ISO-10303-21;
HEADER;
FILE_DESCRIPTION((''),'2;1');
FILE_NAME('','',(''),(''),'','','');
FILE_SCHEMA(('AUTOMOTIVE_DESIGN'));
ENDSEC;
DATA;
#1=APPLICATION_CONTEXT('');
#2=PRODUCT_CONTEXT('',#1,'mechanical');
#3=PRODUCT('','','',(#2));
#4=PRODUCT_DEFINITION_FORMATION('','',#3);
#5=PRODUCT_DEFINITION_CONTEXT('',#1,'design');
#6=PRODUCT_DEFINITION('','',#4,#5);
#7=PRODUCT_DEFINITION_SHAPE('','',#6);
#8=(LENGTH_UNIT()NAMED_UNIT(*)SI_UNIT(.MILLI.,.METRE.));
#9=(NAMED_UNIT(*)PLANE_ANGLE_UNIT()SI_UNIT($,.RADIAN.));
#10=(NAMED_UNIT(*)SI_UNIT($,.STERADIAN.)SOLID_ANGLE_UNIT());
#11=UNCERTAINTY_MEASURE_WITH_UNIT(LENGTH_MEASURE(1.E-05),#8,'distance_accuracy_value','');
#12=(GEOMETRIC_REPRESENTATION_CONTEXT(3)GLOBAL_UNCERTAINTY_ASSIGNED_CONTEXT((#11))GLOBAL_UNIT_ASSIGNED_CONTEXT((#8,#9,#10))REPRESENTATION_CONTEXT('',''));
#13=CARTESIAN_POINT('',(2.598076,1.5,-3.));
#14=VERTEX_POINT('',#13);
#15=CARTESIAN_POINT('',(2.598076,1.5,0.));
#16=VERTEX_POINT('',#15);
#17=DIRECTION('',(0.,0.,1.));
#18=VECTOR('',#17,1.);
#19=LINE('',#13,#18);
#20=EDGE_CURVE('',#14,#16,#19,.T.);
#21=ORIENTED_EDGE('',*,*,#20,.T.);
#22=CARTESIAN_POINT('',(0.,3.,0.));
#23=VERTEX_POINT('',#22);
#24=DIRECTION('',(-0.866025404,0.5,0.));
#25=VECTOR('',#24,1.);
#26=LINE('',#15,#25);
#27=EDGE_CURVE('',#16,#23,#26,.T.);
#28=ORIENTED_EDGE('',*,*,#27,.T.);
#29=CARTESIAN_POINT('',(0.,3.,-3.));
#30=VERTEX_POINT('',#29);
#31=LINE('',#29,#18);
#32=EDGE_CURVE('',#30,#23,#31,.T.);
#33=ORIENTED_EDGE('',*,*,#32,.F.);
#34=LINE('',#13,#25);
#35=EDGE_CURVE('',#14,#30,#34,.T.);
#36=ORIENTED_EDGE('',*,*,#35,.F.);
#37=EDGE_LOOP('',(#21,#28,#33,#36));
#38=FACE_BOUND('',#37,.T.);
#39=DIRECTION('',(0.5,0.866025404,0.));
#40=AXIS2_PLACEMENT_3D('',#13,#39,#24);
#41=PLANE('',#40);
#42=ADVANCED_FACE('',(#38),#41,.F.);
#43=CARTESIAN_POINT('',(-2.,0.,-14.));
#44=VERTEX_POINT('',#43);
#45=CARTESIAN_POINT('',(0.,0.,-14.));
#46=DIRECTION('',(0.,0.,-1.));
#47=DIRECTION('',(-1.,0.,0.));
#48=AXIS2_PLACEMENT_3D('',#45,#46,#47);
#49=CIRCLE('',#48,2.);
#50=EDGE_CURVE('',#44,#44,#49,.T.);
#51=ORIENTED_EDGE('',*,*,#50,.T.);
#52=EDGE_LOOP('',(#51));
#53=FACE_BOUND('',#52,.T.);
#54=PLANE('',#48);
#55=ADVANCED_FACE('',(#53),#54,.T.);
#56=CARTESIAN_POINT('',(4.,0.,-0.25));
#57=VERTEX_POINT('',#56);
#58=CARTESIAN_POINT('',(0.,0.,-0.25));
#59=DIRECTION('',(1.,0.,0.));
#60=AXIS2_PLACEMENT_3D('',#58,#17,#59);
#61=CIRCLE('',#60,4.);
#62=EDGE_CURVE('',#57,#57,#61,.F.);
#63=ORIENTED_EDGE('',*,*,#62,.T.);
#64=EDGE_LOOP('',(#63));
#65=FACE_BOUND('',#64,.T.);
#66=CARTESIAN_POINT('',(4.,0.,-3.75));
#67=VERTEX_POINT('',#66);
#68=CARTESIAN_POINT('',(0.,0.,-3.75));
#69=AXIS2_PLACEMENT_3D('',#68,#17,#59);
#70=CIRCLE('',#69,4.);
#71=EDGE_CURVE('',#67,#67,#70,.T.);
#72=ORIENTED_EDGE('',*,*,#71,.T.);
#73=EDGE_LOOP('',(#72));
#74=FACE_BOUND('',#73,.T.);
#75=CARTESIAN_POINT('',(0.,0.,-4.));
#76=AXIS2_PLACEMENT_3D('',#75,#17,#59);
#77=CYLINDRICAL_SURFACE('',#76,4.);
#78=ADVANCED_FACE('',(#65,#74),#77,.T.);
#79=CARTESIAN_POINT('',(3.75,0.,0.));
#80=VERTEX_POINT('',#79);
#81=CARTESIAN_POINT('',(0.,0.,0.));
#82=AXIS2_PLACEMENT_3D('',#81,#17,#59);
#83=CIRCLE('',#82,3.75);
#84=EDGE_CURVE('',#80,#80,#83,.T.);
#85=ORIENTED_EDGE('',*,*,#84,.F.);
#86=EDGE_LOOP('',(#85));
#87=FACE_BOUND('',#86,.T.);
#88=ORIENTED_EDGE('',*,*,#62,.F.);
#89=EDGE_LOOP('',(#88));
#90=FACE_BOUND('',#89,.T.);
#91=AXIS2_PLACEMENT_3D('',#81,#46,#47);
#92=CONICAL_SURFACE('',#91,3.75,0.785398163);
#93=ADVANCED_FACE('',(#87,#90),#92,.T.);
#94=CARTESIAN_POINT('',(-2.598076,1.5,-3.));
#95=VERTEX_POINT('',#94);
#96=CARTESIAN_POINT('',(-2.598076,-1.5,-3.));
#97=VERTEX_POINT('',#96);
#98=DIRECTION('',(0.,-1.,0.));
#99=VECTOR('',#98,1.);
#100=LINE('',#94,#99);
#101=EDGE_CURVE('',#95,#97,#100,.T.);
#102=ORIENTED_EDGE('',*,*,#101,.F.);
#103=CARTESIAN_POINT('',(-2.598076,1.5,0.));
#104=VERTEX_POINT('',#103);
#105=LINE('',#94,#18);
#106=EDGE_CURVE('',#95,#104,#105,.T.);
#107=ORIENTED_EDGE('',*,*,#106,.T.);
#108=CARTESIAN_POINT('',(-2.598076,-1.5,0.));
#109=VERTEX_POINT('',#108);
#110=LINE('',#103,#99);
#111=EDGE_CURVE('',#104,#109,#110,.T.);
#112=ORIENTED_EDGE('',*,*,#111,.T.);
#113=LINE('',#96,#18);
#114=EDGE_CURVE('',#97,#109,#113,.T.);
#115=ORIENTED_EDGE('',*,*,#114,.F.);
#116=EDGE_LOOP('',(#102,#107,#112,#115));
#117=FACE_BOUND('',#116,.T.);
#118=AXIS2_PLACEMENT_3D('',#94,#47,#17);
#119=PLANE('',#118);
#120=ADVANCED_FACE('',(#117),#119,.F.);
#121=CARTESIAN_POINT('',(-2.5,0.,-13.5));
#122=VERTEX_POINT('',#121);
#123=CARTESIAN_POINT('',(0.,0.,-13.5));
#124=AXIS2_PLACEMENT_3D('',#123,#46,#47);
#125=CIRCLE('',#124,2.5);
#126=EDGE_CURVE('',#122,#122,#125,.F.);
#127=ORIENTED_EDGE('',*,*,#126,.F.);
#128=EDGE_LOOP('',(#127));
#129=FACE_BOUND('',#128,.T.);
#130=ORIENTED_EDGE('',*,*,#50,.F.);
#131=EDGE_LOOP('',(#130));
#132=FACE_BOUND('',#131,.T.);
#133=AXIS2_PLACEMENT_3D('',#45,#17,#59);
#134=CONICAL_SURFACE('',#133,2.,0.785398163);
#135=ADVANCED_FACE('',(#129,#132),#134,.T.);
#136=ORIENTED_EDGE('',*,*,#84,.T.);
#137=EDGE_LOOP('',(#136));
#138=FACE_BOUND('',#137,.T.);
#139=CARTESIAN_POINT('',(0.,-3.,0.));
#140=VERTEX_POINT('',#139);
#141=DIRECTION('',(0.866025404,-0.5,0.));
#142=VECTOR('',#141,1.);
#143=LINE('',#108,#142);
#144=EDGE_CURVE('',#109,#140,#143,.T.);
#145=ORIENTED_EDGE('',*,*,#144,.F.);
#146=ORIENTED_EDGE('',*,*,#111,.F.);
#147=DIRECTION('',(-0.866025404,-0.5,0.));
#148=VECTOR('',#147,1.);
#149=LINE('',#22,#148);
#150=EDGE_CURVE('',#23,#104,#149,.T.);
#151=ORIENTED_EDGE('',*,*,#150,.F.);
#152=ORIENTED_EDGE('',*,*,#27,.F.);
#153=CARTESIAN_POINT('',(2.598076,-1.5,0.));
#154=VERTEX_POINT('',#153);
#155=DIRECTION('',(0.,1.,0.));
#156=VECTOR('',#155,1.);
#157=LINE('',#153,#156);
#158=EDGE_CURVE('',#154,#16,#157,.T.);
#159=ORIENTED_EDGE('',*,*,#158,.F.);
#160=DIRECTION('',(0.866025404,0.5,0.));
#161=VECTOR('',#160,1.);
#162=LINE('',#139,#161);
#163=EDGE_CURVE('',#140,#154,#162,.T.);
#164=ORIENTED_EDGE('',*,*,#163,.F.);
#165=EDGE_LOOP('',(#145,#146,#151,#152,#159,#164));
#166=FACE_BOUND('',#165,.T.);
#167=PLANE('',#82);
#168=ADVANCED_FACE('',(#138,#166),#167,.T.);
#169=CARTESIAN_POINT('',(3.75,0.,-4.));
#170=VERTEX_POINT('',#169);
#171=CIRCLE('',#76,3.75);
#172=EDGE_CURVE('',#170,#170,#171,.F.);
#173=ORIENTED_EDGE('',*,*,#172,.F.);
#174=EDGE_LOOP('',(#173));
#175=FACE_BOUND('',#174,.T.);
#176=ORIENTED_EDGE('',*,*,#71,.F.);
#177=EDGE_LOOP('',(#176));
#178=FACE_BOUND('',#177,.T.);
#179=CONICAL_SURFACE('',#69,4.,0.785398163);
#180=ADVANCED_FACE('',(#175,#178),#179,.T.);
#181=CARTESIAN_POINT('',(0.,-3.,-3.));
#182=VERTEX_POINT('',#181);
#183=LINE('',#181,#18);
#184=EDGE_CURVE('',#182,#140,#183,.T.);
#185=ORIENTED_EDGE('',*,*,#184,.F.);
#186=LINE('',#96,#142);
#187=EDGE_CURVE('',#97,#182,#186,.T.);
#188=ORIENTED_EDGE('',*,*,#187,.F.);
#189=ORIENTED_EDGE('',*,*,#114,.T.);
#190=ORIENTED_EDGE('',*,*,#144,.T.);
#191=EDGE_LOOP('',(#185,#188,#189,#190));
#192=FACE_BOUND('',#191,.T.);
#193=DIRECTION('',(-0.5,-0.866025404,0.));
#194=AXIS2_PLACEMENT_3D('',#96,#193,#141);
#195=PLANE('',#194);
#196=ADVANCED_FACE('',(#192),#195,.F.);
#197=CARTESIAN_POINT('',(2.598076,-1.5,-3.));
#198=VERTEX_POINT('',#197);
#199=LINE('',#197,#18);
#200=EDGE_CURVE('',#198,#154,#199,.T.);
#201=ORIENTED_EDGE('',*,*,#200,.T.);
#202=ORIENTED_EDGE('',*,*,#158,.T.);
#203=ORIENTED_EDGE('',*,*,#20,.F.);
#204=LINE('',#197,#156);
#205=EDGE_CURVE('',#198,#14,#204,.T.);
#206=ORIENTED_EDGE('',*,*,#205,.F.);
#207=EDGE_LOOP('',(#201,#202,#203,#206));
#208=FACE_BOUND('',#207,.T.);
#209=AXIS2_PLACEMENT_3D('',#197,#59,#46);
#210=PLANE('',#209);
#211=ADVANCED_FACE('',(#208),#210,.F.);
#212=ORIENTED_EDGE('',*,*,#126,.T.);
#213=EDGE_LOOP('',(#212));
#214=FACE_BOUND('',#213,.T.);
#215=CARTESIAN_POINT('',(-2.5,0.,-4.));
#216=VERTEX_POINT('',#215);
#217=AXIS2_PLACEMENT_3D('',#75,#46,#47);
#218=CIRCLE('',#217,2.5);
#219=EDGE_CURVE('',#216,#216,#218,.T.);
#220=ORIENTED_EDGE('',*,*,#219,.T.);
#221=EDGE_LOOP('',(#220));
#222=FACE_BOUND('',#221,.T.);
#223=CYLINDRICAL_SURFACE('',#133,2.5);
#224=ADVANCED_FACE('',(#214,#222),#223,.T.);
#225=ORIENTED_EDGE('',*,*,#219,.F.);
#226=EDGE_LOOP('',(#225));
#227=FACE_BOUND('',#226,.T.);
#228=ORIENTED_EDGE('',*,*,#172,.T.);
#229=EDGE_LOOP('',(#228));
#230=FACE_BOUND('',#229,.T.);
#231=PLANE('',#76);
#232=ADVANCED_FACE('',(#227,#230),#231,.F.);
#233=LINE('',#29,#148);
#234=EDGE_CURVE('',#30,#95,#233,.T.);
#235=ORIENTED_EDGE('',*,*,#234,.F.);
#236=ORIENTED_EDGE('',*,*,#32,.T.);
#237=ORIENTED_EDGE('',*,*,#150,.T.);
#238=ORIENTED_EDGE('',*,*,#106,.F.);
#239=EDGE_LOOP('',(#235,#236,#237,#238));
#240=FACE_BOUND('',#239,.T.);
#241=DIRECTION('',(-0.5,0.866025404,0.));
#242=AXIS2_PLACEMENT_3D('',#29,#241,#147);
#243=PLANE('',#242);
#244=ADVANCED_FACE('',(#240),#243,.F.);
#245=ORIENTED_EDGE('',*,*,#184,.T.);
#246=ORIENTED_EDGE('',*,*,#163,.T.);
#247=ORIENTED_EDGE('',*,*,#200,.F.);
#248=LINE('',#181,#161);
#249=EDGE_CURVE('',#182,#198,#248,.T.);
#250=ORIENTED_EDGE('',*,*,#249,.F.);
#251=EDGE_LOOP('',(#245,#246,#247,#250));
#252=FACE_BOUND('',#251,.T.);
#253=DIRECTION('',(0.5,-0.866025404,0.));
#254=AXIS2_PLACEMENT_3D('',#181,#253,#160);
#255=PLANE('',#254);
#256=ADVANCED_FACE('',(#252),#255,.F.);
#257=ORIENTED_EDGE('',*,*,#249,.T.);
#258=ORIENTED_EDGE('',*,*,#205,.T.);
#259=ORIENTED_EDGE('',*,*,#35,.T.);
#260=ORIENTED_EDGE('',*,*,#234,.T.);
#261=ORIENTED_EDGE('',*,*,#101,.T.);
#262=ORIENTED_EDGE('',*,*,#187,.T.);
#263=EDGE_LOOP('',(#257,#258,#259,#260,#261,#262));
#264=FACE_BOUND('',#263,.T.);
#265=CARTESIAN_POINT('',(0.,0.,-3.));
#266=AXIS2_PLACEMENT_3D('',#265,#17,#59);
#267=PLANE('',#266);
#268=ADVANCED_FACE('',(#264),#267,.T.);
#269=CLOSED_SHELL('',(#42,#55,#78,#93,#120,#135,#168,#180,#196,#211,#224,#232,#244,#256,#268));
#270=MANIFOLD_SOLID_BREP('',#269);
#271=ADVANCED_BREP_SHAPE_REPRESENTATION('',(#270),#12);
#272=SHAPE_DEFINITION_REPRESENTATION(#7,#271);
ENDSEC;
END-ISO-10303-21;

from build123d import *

# Parameters (mm, degrees)
SKETCH1_R           = 4
BOSS_EXTRUDE1_DEPTH = 4
CHAMFER1_SIZE       = 0.25
CUT_EXTRUDE1_DEPTH  = 3
SKETCH3_R           = 2.5
BOSS_EXTRUDE2_DEPTH = 10
CHAMFER2_SIZE       = 0.5


with BuildPart() as part:
    # Sketch1 → Boss-Extrude1 (new body)
    with BuildSketch(Plane(origin=(0, 0, 0), x_dir=(0, 1, 0), z_dir=(0, 0, 1))):
        with Locations(Location((0, 0, 0), (0, 0, 270))):
            Circle(SKETCH1_R)
    extrude(amount=-BOSS_EXTRUDE1_DEPTH)

    # Chamfer1
    chamfer1_edges = [part.edges().sort_by_distance(p)[0] for p in [
        (-4, 0, 0),
        (-4, 0, -4),
    ]]
    chamfer(chamfer1_edges, length=CHAMFER1_SIZE)

    # Sketch2 → Cut-Extrude1 (cut)
    with BuildSketch(Plane.XY):
        Polygon((0, 3), (-2.598076211, 1.5), (-2.598076211, -1.5), (0, -3), (2.598076211, -1.5), (2.598076211, 1.5), align=None)
    extrude(amount=-CUT_EXTRUDE1_DEPTH, mode=Mode.SUBTRACT)

    # Sketch3 → Boss-Extrude2 (add)
    with BuildSketch(Plane(origin=(0, 0, -4), x_dir=(1, 0, 0), z_dir=(0, 0, -1))):
        with Locations(Location((0, 0, 0), (0, 0, 180))):
            Circle(SKETCH3_R)
    extrude(amount=BOSS_EXTRUDE2_DEPTH)

    # Chamfer2
    chamfer2_edges = [part.edges().sort_by_distance(p)[0] for p in [
        (2.5, 0, -14),
    ]]
    chamfer(chamfer2_edges, length=CHAMFER2_SIZE)


solid = part.part
